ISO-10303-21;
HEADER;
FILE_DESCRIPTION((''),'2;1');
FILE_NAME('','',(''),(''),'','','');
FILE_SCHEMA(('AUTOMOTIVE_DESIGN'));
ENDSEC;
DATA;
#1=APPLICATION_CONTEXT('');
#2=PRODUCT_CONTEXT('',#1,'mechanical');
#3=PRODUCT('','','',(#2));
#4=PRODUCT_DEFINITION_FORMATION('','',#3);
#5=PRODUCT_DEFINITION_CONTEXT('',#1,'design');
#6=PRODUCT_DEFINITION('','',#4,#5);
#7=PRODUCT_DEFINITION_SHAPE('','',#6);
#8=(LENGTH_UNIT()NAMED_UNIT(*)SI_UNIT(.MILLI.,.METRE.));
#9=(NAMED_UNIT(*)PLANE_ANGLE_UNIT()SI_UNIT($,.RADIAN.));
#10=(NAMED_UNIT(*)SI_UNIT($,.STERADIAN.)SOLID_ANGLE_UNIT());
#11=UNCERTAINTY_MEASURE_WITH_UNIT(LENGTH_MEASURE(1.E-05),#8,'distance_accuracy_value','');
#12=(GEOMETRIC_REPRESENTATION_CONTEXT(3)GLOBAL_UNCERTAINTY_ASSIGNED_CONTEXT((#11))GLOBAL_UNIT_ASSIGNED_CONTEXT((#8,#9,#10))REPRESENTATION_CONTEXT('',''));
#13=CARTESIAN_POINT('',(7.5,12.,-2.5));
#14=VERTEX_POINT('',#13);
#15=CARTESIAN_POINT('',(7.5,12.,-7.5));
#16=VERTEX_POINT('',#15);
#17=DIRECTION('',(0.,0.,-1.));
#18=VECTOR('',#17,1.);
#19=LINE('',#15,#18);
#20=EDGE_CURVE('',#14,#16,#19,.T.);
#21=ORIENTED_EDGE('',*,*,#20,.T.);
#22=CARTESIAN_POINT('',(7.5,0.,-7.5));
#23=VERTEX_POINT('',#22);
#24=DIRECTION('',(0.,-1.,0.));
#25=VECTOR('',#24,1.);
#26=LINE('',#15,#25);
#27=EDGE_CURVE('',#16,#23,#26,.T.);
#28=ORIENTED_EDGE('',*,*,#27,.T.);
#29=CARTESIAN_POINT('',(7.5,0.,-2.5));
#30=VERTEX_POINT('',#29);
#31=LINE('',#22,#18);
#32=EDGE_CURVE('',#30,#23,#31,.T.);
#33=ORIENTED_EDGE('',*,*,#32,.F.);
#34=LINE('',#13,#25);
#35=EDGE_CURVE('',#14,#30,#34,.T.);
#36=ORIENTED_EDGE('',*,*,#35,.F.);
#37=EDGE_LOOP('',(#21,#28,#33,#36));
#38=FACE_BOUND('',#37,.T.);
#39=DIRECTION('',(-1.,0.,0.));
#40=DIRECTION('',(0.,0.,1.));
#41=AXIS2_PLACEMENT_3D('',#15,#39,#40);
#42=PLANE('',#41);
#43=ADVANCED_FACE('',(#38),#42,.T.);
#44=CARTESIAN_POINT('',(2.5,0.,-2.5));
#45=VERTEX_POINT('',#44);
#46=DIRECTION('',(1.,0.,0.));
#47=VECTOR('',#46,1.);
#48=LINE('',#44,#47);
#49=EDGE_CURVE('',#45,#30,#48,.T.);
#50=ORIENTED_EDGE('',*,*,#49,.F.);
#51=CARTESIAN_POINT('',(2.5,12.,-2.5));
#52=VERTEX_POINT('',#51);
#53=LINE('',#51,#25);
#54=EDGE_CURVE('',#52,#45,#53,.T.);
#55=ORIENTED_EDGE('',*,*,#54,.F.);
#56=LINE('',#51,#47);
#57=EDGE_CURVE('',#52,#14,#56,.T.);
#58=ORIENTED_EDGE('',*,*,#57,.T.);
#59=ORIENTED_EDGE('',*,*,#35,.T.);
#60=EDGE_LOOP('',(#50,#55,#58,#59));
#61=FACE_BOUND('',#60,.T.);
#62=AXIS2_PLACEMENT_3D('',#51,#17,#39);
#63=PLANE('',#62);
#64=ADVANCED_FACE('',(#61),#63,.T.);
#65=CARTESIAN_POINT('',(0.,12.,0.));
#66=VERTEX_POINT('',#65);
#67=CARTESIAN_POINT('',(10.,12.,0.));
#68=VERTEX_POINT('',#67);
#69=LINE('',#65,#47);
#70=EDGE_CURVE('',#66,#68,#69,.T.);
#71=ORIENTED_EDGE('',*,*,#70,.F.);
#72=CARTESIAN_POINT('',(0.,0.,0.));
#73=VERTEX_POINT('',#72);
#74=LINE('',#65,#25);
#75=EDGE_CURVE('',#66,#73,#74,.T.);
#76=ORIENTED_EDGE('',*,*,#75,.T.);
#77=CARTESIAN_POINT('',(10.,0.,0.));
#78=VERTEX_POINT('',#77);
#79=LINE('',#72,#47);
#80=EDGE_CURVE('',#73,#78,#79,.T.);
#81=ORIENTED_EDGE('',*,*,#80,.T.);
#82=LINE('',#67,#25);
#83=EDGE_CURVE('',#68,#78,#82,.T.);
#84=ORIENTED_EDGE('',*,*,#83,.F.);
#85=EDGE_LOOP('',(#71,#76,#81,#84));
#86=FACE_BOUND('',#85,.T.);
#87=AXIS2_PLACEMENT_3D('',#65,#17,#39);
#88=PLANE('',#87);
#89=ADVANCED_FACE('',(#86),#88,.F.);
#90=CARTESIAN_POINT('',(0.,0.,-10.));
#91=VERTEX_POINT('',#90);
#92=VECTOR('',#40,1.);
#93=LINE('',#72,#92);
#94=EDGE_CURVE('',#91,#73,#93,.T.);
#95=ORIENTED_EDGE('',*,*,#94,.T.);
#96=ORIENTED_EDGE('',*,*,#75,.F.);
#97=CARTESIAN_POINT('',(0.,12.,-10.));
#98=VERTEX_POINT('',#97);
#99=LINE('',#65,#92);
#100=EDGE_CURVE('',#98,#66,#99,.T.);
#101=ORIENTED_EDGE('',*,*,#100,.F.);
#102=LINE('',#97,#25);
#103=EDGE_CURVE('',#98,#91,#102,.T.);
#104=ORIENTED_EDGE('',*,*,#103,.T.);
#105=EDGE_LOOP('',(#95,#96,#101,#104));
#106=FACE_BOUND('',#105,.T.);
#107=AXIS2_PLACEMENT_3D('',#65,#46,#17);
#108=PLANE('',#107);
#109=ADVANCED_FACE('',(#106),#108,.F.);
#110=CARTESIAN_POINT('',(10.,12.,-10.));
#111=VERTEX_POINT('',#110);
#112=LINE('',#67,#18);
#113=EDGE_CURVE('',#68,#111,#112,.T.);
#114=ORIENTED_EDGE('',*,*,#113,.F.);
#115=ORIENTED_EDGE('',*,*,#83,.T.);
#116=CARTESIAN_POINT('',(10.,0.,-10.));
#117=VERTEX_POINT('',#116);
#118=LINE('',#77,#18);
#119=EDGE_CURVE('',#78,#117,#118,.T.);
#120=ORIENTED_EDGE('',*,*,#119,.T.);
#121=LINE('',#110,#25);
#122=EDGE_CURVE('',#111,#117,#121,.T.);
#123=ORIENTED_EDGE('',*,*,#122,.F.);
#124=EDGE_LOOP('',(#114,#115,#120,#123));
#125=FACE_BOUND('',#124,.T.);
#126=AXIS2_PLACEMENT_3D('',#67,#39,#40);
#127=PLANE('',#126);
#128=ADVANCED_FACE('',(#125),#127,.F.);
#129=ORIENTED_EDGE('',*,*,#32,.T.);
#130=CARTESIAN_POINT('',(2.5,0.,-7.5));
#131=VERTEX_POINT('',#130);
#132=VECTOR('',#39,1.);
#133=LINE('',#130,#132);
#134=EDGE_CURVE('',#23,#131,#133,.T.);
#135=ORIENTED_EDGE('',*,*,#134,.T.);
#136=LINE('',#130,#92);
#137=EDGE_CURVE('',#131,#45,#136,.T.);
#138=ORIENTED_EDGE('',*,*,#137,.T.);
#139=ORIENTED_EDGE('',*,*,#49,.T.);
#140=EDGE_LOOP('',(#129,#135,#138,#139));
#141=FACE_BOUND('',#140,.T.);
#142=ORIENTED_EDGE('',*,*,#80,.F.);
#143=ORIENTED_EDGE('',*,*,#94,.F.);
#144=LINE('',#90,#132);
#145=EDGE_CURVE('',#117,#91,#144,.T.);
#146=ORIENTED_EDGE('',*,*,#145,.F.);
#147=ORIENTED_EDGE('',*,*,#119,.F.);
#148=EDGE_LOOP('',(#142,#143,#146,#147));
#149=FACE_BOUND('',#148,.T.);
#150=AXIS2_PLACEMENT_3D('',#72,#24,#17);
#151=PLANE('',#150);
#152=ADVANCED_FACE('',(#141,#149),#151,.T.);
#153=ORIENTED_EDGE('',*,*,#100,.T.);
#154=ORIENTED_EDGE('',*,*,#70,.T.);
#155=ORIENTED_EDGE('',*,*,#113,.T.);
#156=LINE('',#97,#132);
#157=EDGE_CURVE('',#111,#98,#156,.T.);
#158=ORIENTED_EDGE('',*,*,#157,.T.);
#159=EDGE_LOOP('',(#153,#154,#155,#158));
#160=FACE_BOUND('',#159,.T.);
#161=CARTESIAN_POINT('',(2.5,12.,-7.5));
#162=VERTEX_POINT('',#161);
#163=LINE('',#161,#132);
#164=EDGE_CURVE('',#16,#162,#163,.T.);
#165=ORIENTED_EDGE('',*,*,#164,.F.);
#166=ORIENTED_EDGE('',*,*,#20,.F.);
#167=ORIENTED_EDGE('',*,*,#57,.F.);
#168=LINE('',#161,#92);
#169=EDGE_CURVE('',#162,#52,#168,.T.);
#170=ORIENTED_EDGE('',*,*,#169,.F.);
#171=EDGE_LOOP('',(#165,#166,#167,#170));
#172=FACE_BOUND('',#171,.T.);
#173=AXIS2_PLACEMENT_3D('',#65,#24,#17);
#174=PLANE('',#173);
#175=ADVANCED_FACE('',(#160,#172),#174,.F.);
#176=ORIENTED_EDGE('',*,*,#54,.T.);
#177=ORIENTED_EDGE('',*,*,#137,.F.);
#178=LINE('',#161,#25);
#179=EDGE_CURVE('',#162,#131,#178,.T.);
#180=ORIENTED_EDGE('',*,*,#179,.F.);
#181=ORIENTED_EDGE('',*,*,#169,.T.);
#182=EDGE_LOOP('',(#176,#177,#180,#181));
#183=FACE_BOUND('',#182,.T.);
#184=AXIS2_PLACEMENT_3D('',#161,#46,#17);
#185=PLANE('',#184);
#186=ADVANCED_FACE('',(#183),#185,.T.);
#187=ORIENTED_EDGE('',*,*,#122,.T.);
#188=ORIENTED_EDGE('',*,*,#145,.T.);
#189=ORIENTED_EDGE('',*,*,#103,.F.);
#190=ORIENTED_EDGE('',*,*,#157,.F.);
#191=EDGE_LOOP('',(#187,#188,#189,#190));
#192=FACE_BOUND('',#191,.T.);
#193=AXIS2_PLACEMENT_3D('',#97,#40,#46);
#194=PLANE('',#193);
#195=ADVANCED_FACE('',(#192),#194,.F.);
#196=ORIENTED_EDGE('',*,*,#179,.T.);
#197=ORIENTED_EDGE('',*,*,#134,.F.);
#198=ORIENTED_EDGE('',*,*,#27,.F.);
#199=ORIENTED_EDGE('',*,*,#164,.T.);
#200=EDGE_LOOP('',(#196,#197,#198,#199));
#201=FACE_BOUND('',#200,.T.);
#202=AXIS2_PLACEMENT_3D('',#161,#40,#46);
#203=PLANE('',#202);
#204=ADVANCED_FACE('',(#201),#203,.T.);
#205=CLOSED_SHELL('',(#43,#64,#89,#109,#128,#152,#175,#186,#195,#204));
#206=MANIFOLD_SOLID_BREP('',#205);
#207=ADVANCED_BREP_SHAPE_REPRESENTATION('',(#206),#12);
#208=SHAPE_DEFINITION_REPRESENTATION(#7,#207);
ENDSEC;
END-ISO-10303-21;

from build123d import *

# Parameters (mm, degrees)
SKETCH2_W           = 10
SKETCH2_H           = 10
SKETCH2_W_2         = 5
SKETCH2_H_2         = 5
BOSS_EXTRUDE1_DEPTH = 12


with BuildPart() as part:
    # Sketch2 → Boss-Extrude1 (new body)
    with BuildSketch(Plane(origin=(0, 0, 0), x_dir=(1, 0, 0), z_dir=(0, 1, 0))):
        with Locations((5, 5)):
            Rectangle(SKETCH2_W, SKETCH2_H)
        with Locations((5, 5)):
            Rectangle(SKETCH2_W_2, SKETCH2_H_2, mode=Mode.SUBTRACT)
    extrude(amount=BOSS_EXTRUDE1_DEPTH)


solid = part.part
